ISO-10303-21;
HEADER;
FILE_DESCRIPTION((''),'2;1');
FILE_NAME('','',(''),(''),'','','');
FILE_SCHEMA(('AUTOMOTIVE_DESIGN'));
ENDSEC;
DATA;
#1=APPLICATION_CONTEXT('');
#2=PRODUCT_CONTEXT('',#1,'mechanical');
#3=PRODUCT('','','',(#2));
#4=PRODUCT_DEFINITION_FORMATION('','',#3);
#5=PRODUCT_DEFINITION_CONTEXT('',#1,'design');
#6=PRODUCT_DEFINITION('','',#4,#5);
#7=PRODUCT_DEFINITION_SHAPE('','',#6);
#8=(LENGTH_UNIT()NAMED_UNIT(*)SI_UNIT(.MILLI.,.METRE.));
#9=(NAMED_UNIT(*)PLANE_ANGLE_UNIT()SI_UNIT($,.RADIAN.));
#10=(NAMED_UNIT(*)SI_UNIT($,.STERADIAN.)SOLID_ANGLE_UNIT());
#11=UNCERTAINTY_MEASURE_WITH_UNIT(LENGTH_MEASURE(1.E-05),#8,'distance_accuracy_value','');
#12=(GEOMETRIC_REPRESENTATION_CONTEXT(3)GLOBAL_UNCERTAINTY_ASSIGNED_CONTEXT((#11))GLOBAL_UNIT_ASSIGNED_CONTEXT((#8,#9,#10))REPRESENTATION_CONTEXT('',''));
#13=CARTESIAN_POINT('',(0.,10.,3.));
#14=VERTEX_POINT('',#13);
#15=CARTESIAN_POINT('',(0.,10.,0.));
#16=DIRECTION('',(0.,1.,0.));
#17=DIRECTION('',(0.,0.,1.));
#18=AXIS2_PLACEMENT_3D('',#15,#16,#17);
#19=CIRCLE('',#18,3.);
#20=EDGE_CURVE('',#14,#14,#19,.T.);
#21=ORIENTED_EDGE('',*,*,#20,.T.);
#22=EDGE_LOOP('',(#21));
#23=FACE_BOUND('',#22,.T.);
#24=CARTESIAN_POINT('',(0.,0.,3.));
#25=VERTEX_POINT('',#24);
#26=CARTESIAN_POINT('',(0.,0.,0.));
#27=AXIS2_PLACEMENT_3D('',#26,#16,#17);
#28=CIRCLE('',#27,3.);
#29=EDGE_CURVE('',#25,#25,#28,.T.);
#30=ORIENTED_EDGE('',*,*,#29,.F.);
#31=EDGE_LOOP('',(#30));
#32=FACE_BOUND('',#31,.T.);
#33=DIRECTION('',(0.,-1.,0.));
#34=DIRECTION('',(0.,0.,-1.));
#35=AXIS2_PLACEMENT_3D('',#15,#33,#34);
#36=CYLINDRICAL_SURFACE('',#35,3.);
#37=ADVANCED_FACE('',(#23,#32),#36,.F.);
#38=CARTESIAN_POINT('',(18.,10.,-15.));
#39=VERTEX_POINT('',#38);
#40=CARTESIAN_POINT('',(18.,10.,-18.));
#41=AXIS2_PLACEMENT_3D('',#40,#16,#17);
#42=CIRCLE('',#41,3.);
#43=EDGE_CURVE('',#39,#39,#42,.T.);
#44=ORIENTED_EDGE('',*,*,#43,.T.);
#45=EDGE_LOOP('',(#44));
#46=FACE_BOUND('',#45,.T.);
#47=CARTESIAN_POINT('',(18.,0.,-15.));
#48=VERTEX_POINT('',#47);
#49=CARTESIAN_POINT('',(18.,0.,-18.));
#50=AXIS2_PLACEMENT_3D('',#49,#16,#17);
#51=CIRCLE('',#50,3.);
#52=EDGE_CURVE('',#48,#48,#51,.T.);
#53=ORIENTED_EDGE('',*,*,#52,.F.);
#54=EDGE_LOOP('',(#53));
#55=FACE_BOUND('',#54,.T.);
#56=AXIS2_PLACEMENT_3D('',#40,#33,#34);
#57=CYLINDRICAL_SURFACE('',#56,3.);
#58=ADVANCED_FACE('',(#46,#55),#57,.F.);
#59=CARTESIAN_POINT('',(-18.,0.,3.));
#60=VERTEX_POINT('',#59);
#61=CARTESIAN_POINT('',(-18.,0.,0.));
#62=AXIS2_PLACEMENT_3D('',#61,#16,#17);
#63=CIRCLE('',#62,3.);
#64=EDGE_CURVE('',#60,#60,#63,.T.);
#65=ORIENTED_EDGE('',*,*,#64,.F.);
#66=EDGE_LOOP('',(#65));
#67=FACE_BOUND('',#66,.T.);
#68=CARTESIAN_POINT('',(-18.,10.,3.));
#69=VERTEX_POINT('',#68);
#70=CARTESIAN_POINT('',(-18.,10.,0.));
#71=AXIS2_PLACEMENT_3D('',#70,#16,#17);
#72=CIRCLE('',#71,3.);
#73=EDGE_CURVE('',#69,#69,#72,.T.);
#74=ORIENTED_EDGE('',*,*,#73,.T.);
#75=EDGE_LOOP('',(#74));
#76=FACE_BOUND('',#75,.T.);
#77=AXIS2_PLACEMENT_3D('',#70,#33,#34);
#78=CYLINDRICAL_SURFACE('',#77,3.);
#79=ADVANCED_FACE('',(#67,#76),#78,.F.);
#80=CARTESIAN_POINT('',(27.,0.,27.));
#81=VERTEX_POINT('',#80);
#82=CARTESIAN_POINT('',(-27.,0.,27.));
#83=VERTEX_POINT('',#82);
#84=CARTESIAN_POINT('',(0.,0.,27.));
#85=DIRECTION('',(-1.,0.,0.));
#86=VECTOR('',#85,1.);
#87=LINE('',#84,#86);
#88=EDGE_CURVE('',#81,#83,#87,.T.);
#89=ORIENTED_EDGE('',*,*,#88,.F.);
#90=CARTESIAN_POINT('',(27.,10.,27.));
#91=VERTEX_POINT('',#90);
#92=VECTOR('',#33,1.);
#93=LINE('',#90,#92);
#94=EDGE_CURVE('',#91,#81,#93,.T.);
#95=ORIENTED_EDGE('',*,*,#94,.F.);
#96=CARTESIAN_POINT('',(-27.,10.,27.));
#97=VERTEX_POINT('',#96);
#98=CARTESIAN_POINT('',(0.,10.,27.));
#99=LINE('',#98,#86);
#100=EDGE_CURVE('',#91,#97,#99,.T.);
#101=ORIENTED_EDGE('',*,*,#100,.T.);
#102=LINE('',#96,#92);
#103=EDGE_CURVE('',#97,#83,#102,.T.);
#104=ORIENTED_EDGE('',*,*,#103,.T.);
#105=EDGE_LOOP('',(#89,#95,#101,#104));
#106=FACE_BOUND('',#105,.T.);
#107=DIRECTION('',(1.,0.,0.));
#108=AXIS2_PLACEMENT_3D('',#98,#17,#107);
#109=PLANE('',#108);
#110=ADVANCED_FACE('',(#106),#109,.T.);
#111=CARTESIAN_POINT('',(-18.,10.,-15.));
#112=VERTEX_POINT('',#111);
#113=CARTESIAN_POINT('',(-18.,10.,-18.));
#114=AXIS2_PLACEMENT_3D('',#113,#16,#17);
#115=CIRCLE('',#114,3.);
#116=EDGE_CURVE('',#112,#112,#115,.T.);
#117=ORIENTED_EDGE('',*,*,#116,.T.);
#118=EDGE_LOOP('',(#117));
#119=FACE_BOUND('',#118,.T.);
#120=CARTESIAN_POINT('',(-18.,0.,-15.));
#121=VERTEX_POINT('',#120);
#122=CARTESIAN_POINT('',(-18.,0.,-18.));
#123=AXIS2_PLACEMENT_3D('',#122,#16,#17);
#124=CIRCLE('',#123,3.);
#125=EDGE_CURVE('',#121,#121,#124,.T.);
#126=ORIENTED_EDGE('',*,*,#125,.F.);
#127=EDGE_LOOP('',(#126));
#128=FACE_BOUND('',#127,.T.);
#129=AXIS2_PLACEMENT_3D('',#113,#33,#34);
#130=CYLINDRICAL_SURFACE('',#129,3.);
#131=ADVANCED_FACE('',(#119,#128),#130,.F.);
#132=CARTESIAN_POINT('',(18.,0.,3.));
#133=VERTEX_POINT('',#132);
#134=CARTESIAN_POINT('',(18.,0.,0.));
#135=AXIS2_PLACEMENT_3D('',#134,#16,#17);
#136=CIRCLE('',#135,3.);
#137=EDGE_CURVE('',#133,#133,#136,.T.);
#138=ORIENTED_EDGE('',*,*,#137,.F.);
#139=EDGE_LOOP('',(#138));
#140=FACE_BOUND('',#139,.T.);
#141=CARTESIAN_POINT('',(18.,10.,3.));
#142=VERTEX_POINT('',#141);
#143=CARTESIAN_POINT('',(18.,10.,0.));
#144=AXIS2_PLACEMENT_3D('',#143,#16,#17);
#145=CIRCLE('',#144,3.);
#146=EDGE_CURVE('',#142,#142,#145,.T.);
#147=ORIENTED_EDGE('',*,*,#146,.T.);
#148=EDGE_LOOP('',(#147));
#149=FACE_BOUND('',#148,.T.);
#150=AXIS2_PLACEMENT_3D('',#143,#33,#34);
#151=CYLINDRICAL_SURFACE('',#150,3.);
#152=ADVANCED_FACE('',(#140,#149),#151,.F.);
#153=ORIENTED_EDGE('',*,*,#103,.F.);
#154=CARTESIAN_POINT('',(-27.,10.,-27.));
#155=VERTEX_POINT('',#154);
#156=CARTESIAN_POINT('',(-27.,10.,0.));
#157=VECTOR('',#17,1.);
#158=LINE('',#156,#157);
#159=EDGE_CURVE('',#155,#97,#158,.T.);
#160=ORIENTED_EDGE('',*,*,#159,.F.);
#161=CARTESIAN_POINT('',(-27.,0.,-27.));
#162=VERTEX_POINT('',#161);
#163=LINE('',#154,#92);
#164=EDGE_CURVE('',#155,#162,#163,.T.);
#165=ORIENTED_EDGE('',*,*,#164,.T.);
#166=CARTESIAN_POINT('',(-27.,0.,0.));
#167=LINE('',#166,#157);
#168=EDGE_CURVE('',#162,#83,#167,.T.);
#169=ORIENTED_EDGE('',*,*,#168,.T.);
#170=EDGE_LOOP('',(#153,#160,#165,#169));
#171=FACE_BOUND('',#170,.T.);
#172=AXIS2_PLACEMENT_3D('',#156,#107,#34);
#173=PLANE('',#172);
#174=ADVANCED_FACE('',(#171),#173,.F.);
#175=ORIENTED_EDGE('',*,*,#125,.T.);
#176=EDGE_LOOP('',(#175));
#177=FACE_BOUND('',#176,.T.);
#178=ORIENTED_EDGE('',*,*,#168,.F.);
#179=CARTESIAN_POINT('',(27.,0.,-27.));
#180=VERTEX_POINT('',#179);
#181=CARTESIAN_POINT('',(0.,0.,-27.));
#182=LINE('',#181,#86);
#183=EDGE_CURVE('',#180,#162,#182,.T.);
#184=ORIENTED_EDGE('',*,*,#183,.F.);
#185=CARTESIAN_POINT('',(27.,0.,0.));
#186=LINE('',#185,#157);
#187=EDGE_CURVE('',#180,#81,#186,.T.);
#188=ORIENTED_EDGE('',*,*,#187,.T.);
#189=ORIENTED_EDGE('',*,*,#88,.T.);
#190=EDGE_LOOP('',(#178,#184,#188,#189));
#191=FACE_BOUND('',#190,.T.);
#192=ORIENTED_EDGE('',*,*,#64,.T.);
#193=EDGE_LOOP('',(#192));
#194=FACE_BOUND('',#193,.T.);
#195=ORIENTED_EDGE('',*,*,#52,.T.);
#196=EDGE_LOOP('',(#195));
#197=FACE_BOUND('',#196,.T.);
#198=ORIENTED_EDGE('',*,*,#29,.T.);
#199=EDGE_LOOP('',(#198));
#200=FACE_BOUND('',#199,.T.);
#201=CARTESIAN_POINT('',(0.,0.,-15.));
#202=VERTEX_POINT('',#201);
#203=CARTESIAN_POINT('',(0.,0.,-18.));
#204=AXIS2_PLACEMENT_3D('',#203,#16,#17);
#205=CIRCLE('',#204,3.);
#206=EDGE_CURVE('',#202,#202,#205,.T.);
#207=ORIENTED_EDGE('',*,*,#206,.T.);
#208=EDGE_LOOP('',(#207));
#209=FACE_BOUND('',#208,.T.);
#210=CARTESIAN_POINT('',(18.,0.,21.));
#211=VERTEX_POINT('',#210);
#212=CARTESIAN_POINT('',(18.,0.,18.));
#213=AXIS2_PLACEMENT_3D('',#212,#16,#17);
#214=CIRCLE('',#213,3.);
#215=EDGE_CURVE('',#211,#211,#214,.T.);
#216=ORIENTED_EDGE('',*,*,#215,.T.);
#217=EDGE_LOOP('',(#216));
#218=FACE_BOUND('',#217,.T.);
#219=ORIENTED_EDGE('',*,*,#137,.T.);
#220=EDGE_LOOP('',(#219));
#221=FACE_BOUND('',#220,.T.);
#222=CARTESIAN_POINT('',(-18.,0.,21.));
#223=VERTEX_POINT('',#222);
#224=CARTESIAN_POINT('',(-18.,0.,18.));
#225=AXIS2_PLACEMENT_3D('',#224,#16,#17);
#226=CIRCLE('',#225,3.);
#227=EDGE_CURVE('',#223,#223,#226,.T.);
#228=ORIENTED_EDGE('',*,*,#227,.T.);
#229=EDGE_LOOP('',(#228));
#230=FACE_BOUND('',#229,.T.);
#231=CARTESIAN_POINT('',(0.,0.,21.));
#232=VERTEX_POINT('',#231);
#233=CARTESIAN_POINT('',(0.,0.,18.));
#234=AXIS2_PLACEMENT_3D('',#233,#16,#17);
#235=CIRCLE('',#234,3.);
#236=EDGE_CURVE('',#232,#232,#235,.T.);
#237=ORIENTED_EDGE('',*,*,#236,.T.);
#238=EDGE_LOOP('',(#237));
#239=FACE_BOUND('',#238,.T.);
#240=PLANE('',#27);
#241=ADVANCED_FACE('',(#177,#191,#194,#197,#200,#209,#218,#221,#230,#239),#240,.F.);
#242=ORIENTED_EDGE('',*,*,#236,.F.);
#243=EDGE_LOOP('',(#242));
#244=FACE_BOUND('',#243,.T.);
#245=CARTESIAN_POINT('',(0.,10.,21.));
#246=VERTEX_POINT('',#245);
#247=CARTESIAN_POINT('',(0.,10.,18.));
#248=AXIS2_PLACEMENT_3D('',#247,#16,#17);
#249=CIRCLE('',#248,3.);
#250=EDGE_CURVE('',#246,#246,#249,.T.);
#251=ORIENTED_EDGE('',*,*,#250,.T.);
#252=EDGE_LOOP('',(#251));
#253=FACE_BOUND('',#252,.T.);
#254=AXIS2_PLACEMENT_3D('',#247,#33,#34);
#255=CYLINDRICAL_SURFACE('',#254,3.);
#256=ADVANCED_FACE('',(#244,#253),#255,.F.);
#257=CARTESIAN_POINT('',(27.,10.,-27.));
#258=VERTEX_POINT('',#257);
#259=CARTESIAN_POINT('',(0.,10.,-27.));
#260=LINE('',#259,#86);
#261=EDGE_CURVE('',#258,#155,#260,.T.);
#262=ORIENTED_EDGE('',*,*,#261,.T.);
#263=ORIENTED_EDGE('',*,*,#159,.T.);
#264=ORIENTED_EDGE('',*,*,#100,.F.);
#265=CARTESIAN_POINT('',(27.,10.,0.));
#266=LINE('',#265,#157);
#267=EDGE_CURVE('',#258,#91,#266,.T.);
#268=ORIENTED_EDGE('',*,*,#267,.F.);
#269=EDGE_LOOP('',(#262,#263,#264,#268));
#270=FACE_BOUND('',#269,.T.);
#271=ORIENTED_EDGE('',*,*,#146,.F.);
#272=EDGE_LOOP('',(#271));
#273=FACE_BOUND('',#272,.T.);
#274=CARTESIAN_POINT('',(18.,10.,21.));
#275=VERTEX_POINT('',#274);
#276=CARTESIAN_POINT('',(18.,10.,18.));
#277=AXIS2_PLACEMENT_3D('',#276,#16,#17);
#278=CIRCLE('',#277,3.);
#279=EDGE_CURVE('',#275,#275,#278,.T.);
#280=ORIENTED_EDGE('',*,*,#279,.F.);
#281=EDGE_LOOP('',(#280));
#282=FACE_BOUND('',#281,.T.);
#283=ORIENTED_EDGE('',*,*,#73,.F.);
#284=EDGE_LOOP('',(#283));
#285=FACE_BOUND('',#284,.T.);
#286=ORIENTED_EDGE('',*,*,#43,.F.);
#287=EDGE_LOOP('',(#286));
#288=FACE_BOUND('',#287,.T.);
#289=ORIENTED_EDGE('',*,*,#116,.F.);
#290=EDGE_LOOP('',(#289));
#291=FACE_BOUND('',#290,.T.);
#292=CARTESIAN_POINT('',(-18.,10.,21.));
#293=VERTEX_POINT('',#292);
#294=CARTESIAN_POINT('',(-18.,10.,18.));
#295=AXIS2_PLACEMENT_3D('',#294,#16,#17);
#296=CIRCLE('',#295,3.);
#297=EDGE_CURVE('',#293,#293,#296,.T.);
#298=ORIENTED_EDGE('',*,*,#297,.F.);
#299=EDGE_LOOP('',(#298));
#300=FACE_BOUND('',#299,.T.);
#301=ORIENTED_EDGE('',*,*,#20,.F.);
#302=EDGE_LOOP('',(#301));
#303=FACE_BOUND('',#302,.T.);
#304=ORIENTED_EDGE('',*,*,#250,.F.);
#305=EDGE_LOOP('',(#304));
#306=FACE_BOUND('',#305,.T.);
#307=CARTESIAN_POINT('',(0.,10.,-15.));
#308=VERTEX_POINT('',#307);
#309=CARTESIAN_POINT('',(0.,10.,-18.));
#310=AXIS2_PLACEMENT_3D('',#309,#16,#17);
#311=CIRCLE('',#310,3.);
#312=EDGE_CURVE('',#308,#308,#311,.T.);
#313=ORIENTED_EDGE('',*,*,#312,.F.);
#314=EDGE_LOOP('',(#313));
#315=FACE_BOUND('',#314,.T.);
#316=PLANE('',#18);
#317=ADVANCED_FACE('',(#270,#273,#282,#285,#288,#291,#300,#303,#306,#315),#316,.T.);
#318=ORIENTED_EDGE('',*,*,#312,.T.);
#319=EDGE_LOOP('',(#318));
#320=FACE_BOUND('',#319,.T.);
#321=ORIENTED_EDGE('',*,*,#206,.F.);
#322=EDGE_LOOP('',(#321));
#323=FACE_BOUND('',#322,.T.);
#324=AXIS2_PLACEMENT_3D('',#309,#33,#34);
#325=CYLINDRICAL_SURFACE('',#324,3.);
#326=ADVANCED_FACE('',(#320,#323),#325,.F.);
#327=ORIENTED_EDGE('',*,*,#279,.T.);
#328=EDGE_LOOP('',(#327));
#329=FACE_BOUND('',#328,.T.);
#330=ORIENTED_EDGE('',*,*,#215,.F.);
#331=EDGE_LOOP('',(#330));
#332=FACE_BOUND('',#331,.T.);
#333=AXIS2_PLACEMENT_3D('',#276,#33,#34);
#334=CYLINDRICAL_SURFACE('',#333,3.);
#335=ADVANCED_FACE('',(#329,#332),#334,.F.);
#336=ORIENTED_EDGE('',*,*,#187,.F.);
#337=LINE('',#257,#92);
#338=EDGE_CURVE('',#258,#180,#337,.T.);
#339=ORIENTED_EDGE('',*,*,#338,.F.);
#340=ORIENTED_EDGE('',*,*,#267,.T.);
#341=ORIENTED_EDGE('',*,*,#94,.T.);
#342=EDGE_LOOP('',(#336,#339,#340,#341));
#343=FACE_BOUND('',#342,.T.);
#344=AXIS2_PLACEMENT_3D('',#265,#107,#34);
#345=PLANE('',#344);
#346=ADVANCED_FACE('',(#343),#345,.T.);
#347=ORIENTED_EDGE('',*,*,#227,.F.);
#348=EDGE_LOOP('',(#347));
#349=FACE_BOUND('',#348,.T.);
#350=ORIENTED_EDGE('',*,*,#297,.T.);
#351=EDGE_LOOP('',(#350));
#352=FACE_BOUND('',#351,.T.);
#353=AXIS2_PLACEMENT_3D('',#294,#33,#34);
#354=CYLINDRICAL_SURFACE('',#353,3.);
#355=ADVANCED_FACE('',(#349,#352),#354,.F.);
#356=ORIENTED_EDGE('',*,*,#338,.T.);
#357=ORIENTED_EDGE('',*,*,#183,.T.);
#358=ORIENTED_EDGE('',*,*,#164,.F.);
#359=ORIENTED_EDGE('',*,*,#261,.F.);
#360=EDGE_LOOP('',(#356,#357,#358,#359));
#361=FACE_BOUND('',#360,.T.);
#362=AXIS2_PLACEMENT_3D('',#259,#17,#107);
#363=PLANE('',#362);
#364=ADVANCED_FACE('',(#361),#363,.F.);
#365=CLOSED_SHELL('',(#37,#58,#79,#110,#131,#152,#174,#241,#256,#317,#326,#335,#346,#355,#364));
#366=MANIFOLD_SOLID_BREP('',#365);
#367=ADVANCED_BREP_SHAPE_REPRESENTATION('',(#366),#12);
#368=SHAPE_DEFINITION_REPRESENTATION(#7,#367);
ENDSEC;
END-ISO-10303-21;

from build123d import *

# Parameters (mm, degrees)
SKETCH1_W           = 54
SKETCH1_H           = 54
SKETCH1_R           = 3
BOSS_EXTRUDE1_DEPTH = 10


with BuildPart() as part:
    # Sketch1 → Boss-Extrude1 (new body)
    with BuildSketch(Plane(origin=(0, 0, 0), x_dir=(1, 0, 0), z_dir=(0, 1, 0))):
        Rectangle(SKETCH1_W, SKETCH1_H)
        with Locations((-18, -18)):
            Circle(SKETCH1_R, mode=Mode.SUBTRACT)
        with Locations((0, -18)):
            Circle(SKETCH1_R, mode=Mode.SUBTRACT)
        with Locations((18, -18)):
            Circle(SKETCH1_R, mode=Mode.SUBTRACT)
        with Locations((18, 0)):
            Circle(SKETCH1_R, mode=Mode.SUBTRACT)
        with Locations((18, 18)):
            Circle(SKETCH1_R, mode=Mode.SUBTRACT)
        with Locations((0, 18)):
            Circle(SKETCH1_R, mode=Mode.SUBTRACT)
        with Locations((-18, 18)):
            Circle(SKETCH1_R, mode=Mode.SUBTRACT)
        with Locations((-18, 0)):
            Circle(SKETCH1_R, mode=Mode.SUBTRACT)
        Circle(SKETCH1_R, mode=Mode.SUBTRACT)
    extrude(amount=BOSS_EXTRUDE1_DEPTH)


solid = part.part
